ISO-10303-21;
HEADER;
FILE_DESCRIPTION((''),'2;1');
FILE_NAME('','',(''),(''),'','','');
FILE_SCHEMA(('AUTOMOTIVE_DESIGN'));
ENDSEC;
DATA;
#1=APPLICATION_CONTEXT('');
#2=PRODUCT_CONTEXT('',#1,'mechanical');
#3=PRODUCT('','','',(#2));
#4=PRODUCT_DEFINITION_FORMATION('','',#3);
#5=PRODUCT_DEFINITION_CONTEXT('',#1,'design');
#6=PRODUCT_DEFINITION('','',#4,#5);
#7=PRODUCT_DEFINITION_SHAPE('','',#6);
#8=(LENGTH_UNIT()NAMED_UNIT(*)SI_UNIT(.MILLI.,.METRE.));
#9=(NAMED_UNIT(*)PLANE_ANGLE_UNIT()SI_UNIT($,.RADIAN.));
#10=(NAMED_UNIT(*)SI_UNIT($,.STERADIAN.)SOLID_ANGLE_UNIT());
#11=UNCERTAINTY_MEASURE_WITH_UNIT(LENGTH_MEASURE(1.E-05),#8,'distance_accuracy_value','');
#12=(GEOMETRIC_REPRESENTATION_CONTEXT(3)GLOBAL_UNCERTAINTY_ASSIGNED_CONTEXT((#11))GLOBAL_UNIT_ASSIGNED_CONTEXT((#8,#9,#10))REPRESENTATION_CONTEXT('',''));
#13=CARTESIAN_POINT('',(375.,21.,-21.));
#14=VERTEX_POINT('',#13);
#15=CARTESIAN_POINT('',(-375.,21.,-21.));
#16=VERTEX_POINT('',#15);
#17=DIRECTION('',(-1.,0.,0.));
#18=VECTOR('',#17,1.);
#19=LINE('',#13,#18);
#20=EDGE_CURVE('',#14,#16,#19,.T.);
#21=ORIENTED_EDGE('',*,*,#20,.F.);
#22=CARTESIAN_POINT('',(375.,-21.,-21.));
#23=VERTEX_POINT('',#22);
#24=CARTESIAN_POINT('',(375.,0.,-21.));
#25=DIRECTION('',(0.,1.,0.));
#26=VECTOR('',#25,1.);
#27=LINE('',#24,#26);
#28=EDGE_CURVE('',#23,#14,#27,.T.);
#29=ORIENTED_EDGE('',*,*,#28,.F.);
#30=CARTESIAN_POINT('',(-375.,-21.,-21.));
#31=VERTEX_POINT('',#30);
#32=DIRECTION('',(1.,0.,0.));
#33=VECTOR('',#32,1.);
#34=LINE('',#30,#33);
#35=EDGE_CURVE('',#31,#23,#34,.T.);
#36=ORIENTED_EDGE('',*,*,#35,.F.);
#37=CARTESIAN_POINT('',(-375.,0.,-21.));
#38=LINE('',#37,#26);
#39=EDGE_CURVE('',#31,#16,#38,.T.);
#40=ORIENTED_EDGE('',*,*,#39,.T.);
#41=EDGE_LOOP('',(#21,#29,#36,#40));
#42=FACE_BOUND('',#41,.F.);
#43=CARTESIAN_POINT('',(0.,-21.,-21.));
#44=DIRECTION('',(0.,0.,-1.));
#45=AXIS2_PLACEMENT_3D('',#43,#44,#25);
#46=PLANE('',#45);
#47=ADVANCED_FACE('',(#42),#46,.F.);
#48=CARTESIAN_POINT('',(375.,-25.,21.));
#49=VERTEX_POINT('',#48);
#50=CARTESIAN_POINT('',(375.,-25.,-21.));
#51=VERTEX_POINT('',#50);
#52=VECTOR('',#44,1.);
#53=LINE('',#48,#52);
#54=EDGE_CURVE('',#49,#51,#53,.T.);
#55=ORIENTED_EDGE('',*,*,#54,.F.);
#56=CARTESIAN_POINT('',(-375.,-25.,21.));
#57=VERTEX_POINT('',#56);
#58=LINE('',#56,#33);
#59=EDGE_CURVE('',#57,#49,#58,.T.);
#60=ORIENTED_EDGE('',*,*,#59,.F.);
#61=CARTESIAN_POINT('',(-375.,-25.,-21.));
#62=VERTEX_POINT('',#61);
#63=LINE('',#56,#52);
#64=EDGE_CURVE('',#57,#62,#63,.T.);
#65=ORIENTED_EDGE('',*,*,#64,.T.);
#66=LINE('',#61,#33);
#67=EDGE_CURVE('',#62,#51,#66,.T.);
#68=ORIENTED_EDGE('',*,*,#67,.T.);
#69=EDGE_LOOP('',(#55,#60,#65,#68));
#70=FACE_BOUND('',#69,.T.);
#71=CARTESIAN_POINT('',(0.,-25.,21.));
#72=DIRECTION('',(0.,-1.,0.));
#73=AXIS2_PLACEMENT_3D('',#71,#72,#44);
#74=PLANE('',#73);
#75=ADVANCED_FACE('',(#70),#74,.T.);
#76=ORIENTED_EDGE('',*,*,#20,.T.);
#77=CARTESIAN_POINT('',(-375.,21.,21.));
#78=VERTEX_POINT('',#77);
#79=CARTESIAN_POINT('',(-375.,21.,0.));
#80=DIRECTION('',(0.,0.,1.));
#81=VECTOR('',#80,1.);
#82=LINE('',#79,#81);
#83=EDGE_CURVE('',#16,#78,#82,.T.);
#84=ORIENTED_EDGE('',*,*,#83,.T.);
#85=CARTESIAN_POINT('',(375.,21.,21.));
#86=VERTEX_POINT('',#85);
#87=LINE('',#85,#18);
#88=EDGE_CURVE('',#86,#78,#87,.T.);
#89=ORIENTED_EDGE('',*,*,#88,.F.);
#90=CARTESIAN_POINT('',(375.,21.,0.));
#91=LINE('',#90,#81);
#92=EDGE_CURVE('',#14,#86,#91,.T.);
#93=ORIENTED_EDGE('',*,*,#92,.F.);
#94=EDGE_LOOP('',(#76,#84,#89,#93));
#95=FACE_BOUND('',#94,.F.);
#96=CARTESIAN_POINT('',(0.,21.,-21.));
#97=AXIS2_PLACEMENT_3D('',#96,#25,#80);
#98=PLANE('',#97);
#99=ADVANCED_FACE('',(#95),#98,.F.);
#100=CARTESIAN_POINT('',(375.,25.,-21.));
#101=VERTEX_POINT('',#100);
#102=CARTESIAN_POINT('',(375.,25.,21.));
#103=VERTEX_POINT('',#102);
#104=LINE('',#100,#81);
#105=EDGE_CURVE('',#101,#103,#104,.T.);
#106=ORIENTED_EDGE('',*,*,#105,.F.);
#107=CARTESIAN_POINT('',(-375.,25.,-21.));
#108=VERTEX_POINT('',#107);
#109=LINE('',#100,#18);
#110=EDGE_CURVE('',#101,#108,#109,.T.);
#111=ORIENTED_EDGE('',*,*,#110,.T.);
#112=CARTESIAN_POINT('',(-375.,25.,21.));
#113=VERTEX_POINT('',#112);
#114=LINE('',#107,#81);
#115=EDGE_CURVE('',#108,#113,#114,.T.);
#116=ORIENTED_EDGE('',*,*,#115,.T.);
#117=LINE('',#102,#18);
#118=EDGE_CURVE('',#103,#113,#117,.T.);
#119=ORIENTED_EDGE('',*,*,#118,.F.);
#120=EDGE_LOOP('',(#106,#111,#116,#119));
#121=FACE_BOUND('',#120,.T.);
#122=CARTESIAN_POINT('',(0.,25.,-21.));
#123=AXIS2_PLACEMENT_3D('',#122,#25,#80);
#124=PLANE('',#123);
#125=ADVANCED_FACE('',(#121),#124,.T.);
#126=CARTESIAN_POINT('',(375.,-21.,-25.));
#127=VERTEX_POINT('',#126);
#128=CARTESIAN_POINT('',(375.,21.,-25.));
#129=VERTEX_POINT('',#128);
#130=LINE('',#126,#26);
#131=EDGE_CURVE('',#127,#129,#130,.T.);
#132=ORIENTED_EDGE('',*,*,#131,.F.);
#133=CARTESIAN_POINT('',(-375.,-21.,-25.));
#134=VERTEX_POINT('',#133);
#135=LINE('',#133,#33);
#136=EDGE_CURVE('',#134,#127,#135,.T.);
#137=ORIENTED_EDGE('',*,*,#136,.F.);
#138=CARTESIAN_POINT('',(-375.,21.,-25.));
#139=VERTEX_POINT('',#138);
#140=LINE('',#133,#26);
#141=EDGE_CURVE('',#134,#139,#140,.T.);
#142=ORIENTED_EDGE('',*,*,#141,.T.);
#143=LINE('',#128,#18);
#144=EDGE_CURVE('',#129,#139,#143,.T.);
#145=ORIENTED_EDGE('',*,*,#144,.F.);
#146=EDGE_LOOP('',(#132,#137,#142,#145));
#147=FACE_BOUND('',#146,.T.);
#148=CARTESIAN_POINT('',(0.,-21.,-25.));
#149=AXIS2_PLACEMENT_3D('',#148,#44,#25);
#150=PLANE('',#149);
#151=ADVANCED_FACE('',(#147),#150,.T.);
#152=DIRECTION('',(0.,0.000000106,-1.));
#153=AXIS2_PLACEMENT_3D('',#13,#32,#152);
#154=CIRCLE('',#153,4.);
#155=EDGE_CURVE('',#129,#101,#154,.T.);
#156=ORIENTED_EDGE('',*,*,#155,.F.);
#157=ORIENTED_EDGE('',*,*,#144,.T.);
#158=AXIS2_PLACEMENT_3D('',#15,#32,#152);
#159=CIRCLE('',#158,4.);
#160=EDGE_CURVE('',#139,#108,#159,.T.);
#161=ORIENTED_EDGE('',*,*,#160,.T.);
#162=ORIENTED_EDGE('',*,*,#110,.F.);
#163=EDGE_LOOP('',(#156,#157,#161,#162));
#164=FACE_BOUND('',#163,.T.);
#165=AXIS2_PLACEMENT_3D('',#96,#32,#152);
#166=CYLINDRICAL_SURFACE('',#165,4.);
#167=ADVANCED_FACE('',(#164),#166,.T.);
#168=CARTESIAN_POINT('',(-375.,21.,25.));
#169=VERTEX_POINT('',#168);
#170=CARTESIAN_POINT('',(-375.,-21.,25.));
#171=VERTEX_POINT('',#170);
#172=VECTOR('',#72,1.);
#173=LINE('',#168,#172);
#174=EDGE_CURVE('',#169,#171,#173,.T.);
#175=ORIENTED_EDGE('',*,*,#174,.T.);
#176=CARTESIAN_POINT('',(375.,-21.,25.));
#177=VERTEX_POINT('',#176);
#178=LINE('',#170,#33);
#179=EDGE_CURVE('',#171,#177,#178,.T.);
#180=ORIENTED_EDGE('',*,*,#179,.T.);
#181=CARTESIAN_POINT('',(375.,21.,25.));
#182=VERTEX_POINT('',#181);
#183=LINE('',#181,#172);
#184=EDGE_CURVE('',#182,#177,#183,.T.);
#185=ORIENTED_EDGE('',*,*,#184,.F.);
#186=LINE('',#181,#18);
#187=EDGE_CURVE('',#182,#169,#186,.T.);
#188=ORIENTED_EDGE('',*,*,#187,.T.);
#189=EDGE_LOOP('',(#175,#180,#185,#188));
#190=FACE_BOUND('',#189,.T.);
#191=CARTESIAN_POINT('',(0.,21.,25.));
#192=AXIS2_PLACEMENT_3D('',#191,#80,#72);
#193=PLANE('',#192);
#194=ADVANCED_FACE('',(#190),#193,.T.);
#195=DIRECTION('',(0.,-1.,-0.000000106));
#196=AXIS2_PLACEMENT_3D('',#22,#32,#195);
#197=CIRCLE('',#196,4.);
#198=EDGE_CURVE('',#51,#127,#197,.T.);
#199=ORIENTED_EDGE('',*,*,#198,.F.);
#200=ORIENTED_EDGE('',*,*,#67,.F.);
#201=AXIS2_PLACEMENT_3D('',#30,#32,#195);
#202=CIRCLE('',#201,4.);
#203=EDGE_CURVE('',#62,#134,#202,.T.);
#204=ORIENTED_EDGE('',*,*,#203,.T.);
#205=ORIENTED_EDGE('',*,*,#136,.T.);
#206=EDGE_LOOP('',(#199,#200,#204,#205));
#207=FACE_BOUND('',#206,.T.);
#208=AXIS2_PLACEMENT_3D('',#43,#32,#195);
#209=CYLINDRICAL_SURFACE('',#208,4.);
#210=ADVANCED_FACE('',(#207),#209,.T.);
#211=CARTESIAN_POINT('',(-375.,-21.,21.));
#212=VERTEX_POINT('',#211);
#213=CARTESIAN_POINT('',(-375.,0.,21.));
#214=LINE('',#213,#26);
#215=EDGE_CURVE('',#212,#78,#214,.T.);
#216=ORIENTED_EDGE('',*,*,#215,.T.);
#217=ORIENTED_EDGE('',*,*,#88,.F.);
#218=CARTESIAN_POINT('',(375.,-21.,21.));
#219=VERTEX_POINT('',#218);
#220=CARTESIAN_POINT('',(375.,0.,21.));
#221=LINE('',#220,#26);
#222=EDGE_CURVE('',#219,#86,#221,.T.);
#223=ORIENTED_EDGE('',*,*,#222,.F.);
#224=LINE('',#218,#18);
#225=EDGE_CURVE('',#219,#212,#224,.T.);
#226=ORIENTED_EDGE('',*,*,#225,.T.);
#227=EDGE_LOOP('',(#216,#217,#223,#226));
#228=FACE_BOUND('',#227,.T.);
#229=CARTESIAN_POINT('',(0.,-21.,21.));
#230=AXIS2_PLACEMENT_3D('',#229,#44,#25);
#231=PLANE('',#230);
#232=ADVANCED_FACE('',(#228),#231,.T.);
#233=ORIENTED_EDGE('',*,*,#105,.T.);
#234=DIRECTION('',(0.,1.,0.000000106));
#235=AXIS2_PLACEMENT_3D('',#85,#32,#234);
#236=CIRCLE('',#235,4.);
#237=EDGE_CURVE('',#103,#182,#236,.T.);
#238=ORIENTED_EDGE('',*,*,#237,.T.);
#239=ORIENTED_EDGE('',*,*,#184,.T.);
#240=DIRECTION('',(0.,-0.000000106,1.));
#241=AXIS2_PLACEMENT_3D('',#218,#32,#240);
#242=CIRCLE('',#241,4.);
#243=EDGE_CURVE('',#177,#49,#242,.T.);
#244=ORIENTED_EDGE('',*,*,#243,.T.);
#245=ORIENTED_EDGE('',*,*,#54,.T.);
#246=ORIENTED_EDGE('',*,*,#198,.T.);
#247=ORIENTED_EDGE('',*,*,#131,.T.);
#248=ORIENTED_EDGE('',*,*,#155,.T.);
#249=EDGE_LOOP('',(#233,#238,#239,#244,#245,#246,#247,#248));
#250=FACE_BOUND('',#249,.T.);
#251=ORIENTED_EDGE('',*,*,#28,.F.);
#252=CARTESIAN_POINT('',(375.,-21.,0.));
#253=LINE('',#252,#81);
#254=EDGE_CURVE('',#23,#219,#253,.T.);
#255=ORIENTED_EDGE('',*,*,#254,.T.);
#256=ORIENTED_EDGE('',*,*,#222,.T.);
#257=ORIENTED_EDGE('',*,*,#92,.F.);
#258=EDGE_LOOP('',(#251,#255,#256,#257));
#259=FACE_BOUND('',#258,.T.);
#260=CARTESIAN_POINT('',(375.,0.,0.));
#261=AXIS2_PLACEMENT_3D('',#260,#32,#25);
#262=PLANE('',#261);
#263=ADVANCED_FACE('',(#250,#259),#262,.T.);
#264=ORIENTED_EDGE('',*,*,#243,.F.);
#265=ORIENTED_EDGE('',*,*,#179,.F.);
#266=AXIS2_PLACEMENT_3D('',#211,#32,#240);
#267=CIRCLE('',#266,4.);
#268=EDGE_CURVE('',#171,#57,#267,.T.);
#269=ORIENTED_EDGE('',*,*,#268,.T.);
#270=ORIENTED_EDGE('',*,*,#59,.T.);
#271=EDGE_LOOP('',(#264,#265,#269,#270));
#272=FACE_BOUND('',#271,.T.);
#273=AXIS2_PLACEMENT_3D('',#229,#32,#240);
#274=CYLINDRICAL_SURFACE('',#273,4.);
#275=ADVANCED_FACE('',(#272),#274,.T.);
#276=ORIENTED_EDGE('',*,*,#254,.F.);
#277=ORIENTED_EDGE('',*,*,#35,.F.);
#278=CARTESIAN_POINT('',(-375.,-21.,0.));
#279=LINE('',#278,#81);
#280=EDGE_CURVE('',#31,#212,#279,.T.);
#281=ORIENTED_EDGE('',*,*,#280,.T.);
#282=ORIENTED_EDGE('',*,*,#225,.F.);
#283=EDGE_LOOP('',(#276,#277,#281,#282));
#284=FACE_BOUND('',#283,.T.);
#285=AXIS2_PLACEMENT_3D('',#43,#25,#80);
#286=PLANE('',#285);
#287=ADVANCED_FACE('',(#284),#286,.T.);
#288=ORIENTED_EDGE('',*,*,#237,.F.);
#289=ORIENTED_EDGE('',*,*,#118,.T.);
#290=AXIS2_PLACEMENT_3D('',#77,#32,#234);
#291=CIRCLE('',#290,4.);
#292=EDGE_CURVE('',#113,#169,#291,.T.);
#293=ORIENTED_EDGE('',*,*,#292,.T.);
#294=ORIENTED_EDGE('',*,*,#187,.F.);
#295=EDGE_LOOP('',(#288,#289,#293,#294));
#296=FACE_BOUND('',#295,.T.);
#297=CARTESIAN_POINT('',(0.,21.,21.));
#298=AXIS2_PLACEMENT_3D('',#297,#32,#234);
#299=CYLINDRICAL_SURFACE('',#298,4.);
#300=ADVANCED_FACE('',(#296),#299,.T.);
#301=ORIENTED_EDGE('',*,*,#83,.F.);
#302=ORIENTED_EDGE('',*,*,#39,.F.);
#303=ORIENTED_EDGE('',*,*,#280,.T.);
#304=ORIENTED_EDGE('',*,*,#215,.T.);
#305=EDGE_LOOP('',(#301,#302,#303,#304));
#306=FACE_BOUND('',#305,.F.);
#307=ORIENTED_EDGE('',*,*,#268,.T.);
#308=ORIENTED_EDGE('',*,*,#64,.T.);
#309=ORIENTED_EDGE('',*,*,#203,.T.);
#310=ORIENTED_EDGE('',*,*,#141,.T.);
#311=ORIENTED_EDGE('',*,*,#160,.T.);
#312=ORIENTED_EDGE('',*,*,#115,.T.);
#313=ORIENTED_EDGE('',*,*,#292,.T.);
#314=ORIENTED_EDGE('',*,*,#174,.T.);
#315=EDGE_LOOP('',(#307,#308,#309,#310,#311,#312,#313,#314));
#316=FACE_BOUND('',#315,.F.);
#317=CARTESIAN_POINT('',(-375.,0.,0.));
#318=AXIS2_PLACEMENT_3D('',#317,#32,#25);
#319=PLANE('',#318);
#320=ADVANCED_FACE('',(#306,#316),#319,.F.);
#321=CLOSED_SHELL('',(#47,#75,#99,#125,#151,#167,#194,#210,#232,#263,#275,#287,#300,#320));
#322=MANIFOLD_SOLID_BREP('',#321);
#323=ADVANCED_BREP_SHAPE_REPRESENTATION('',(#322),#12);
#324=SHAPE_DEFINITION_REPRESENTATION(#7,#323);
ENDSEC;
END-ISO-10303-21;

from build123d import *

# Parameters (mm, degrees)
F0_W     = 42
F0_H     = 42
F1_DEPTH = 375


with BuildPart() as f1:
    # F0 (on Right) → F1 (new body, symmetric)
    with BuildSketch(Plane.YZ):
        with BuildLine():
            Line((21, 25), (-21, 25))
            ThreePointArc((-21, 25), (-23.828427, 23.828427), (-25, 21))
            Line((-25, 21), (-25, -21))
            ThreePointArc((-25, -21), (-23.828427, -23.828427), (-21, -25))
            Line((-21, -25), (21, -25))
            ThreePointArc((21, -25), (23.828427, -23.828427), (25, -21))
            Line((25, -21), (25, 21))
            ThreePointArc((25, 21), (23.828427, 23.828427), (21, 25))
        make_face()
        Rectangle(F0_W, F0_H, mode=Mode.SUBTRACT)
    extrude(amount=F1_DEPTH, both=True)


solid = f1.part
